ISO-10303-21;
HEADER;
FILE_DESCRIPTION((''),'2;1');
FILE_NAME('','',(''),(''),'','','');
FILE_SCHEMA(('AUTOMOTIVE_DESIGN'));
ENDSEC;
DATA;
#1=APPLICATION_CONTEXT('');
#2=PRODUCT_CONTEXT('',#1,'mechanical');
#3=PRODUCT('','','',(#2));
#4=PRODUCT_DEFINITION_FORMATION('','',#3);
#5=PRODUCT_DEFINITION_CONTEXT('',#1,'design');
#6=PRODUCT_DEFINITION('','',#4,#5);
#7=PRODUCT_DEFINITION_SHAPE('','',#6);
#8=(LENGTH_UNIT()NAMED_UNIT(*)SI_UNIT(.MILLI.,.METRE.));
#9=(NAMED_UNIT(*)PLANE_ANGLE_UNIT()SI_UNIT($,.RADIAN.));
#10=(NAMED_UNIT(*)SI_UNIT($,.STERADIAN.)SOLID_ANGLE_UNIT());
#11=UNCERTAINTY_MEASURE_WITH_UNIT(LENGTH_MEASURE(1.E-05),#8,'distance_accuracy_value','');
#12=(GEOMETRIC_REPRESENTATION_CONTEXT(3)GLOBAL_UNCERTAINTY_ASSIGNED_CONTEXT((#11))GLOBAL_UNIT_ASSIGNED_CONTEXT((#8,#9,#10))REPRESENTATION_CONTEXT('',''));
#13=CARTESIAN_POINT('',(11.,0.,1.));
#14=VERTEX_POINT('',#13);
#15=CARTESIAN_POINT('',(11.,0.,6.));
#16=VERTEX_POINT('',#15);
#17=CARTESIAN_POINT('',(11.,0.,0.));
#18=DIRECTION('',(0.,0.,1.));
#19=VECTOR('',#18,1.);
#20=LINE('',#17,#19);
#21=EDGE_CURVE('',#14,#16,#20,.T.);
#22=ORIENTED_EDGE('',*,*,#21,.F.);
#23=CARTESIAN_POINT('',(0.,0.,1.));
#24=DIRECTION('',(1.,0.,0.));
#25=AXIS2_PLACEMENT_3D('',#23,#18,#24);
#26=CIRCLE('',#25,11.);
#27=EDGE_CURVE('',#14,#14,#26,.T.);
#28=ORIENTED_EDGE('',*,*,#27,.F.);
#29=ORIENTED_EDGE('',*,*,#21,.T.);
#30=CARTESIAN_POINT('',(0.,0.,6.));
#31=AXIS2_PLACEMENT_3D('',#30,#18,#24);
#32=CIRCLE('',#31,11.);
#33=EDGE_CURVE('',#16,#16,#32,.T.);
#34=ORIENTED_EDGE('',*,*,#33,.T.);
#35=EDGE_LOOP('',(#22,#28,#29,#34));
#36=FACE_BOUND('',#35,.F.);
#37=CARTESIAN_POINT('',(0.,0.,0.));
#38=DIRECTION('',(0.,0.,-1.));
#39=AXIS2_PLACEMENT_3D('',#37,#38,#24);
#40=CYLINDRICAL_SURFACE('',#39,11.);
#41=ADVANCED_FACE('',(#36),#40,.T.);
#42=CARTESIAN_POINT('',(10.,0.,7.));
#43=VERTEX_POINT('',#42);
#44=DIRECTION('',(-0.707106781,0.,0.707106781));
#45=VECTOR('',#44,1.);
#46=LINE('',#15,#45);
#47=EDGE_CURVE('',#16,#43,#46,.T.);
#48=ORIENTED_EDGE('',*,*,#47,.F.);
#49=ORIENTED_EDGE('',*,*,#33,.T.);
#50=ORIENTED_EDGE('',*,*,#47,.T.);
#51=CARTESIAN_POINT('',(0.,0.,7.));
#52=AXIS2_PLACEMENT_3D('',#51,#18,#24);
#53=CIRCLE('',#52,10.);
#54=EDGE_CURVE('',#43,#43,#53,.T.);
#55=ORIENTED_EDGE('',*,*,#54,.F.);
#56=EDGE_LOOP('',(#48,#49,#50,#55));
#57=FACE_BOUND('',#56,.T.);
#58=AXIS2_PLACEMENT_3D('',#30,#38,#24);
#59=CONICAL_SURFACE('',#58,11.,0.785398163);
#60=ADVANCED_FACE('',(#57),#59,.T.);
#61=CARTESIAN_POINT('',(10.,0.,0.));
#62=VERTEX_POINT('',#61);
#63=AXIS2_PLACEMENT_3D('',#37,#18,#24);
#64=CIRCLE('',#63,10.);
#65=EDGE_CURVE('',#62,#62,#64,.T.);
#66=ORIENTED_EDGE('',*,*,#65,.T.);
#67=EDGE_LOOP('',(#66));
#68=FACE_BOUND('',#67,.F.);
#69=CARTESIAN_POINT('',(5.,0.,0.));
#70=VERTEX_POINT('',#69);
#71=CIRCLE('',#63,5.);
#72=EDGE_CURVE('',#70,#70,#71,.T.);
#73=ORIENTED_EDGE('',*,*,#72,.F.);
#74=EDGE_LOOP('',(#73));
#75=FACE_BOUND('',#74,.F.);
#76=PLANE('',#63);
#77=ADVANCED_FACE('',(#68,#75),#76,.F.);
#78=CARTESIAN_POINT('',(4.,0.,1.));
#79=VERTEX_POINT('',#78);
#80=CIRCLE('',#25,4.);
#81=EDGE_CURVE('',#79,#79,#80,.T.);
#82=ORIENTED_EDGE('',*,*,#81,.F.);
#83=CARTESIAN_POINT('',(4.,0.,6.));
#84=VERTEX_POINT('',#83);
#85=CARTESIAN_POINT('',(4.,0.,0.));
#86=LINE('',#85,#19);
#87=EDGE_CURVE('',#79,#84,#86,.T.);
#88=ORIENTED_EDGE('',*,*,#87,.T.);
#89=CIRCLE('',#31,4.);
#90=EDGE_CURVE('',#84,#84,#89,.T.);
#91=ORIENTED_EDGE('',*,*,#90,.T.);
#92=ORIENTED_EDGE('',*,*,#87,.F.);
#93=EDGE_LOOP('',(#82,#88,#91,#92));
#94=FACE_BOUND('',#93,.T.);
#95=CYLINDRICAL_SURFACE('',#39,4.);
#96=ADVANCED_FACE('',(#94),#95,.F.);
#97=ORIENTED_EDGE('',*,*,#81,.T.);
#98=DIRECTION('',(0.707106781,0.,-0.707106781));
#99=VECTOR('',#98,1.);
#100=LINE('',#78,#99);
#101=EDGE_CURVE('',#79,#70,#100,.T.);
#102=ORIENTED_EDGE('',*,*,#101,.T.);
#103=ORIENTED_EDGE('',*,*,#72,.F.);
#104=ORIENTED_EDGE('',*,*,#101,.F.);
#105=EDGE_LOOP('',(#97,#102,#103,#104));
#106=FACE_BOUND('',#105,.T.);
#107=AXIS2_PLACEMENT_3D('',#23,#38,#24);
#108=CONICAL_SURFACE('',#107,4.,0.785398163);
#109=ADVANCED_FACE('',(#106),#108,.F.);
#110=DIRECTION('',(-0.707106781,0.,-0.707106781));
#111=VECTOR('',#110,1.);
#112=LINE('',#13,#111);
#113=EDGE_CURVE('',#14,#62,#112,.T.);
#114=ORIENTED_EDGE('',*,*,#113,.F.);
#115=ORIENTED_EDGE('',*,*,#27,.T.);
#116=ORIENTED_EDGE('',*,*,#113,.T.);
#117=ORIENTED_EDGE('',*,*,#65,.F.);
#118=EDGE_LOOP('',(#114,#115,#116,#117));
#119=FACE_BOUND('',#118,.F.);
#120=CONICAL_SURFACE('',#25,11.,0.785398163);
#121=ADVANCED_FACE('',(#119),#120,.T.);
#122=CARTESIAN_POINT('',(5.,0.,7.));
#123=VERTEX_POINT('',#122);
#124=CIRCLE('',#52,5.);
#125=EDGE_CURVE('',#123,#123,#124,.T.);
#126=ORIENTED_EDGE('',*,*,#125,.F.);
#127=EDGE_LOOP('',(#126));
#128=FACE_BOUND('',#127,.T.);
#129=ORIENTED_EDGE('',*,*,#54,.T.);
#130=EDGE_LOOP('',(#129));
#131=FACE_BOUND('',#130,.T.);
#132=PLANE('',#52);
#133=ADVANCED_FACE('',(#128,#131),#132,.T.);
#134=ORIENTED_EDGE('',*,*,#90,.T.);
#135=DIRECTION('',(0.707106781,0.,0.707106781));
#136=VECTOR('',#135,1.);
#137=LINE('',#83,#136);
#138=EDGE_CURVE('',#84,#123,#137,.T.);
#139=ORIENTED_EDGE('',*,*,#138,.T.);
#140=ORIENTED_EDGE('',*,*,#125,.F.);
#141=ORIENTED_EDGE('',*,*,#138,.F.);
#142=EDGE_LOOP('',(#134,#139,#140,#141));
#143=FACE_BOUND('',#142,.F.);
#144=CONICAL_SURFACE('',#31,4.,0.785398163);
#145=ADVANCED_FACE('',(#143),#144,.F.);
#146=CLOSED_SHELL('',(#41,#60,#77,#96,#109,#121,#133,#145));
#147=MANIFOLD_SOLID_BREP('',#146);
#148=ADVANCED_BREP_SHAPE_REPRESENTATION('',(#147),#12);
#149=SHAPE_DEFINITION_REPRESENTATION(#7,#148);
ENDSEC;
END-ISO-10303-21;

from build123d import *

# Parameters (mm, degrees)
F0_R     = 11
F0_R_2   = 4
F1_DEPTH = 7
F2_SIZE  = 1


with BuildPart() as f1:
    # F0 (on Top) → F1 (new body)
    with BuildSketch(Plane.XY):
        Circle(F0_R)
        Circle(F0_R_2, mode=Mode.SUBTRACT)
    extrude(amount=F1_DEPTH)

    # F2
    f2_edges = [f1.edges().sort_by_distance(p)[0] for p in [
        (-11, 0, 7),
        (-11, 0, 0),
        (4, 0, 3.5),
        (-4, 0, 0),
        (-4, 0, 7),
    ]]
    chamfer(f2_edges, length=F2_SIZE)


solid = f1.part
